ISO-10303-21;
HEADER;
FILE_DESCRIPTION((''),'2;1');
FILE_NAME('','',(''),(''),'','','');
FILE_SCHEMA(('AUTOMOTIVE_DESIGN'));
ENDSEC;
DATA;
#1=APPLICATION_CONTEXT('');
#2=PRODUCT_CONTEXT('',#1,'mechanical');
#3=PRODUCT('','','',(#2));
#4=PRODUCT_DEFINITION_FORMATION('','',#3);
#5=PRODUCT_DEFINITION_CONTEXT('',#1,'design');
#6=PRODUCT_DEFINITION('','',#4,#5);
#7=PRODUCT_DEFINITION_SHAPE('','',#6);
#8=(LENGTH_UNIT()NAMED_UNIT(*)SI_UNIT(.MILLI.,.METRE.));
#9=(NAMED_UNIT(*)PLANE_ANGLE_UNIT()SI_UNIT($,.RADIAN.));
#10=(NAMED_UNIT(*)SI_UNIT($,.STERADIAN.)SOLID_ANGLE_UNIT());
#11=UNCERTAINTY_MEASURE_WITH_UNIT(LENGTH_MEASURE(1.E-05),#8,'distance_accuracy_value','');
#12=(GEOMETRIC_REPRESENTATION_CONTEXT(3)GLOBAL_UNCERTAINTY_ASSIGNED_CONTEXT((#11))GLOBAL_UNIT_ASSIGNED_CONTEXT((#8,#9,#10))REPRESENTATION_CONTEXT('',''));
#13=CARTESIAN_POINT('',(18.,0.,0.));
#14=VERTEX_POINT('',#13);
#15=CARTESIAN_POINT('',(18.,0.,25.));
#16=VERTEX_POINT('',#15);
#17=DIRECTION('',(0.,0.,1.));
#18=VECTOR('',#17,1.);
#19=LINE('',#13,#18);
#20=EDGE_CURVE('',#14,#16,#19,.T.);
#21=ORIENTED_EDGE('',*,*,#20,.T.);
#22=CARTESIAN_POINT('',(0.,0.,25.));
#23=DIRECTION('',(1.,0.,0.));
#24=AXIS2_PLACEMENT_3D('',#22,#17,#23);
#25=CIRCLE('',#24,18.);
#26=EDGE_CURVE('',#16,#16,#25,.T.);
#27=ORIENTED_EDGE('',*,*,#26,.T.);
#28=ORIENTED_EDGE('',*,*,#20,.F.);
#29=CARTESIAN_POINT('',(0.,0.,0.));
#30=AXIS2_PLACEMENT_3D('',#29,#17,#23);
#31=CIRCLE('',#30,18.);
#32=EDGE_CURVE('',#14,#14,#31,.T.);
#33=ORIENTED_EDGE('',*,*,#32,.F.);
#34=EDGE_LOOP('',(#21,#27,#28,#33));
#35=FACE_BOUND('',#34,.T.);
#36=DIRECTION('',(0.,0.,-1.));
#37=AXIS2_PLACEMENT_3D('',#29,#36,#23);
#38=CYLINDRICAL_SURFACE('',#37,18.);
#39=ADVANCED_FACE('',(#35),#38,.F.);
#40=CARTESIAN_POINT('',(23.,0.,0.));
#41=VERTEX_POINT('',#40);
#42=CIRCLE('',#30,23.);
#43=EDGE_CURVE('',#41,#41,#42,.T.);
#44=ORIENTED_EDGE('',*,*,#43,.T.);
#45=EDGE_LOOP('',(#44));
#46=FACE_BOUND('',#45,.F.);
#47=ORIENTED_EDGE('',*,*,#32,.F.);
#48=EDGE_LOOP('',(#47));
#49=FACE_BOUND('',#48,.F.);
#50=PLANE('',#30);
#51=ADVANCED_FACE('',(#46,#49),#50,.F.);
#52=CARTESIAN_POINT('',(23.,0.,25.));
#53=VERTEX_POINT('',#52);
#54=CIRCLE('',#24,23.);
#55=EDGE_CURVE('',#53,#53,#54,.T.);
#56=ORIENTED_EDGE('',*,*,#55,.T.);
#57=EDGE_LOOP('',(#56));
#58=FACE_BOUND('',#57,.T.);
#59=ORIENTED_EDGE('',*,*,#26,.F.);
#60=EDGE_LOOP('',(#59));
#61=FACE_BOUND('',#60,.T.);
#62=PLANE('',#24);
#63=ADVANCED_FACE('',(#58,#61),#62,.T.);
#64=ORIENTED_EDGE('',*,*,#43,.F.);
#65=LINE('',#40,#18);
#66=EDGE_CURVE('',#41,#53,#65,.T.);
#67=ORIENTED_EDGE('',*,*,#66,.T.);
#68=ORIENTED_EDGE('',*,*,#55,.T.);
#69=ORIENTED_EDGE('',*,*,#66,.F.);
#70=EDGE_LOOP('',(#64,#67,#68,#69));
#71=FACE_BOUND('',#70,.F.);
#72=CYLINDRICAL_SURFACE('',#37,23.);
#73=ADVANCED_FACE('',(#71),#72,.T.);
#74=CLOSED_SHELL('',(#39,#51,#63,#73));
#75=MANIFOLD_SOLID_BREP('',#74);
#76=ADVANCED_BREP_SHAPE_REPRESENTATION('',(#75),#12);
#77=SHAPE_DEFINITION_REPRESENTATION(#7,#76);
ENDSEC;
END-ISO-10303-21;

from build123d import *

# Parameters (mm, degrees)
SKETCH_R   = 23
SKETCH_R_2 = 18
PAD_DEPTH  = 25


with BuildPart() as part:
    # Sketch → Pad (new body)
    with BuildSketch(Plane.XY):
        Circle(SKETCH_R)
        Circle(SKETCH_R_2, mode=Mode.SUBTRACT)
    extrude(amount=PAD_DEPTH)


solid = part.part
